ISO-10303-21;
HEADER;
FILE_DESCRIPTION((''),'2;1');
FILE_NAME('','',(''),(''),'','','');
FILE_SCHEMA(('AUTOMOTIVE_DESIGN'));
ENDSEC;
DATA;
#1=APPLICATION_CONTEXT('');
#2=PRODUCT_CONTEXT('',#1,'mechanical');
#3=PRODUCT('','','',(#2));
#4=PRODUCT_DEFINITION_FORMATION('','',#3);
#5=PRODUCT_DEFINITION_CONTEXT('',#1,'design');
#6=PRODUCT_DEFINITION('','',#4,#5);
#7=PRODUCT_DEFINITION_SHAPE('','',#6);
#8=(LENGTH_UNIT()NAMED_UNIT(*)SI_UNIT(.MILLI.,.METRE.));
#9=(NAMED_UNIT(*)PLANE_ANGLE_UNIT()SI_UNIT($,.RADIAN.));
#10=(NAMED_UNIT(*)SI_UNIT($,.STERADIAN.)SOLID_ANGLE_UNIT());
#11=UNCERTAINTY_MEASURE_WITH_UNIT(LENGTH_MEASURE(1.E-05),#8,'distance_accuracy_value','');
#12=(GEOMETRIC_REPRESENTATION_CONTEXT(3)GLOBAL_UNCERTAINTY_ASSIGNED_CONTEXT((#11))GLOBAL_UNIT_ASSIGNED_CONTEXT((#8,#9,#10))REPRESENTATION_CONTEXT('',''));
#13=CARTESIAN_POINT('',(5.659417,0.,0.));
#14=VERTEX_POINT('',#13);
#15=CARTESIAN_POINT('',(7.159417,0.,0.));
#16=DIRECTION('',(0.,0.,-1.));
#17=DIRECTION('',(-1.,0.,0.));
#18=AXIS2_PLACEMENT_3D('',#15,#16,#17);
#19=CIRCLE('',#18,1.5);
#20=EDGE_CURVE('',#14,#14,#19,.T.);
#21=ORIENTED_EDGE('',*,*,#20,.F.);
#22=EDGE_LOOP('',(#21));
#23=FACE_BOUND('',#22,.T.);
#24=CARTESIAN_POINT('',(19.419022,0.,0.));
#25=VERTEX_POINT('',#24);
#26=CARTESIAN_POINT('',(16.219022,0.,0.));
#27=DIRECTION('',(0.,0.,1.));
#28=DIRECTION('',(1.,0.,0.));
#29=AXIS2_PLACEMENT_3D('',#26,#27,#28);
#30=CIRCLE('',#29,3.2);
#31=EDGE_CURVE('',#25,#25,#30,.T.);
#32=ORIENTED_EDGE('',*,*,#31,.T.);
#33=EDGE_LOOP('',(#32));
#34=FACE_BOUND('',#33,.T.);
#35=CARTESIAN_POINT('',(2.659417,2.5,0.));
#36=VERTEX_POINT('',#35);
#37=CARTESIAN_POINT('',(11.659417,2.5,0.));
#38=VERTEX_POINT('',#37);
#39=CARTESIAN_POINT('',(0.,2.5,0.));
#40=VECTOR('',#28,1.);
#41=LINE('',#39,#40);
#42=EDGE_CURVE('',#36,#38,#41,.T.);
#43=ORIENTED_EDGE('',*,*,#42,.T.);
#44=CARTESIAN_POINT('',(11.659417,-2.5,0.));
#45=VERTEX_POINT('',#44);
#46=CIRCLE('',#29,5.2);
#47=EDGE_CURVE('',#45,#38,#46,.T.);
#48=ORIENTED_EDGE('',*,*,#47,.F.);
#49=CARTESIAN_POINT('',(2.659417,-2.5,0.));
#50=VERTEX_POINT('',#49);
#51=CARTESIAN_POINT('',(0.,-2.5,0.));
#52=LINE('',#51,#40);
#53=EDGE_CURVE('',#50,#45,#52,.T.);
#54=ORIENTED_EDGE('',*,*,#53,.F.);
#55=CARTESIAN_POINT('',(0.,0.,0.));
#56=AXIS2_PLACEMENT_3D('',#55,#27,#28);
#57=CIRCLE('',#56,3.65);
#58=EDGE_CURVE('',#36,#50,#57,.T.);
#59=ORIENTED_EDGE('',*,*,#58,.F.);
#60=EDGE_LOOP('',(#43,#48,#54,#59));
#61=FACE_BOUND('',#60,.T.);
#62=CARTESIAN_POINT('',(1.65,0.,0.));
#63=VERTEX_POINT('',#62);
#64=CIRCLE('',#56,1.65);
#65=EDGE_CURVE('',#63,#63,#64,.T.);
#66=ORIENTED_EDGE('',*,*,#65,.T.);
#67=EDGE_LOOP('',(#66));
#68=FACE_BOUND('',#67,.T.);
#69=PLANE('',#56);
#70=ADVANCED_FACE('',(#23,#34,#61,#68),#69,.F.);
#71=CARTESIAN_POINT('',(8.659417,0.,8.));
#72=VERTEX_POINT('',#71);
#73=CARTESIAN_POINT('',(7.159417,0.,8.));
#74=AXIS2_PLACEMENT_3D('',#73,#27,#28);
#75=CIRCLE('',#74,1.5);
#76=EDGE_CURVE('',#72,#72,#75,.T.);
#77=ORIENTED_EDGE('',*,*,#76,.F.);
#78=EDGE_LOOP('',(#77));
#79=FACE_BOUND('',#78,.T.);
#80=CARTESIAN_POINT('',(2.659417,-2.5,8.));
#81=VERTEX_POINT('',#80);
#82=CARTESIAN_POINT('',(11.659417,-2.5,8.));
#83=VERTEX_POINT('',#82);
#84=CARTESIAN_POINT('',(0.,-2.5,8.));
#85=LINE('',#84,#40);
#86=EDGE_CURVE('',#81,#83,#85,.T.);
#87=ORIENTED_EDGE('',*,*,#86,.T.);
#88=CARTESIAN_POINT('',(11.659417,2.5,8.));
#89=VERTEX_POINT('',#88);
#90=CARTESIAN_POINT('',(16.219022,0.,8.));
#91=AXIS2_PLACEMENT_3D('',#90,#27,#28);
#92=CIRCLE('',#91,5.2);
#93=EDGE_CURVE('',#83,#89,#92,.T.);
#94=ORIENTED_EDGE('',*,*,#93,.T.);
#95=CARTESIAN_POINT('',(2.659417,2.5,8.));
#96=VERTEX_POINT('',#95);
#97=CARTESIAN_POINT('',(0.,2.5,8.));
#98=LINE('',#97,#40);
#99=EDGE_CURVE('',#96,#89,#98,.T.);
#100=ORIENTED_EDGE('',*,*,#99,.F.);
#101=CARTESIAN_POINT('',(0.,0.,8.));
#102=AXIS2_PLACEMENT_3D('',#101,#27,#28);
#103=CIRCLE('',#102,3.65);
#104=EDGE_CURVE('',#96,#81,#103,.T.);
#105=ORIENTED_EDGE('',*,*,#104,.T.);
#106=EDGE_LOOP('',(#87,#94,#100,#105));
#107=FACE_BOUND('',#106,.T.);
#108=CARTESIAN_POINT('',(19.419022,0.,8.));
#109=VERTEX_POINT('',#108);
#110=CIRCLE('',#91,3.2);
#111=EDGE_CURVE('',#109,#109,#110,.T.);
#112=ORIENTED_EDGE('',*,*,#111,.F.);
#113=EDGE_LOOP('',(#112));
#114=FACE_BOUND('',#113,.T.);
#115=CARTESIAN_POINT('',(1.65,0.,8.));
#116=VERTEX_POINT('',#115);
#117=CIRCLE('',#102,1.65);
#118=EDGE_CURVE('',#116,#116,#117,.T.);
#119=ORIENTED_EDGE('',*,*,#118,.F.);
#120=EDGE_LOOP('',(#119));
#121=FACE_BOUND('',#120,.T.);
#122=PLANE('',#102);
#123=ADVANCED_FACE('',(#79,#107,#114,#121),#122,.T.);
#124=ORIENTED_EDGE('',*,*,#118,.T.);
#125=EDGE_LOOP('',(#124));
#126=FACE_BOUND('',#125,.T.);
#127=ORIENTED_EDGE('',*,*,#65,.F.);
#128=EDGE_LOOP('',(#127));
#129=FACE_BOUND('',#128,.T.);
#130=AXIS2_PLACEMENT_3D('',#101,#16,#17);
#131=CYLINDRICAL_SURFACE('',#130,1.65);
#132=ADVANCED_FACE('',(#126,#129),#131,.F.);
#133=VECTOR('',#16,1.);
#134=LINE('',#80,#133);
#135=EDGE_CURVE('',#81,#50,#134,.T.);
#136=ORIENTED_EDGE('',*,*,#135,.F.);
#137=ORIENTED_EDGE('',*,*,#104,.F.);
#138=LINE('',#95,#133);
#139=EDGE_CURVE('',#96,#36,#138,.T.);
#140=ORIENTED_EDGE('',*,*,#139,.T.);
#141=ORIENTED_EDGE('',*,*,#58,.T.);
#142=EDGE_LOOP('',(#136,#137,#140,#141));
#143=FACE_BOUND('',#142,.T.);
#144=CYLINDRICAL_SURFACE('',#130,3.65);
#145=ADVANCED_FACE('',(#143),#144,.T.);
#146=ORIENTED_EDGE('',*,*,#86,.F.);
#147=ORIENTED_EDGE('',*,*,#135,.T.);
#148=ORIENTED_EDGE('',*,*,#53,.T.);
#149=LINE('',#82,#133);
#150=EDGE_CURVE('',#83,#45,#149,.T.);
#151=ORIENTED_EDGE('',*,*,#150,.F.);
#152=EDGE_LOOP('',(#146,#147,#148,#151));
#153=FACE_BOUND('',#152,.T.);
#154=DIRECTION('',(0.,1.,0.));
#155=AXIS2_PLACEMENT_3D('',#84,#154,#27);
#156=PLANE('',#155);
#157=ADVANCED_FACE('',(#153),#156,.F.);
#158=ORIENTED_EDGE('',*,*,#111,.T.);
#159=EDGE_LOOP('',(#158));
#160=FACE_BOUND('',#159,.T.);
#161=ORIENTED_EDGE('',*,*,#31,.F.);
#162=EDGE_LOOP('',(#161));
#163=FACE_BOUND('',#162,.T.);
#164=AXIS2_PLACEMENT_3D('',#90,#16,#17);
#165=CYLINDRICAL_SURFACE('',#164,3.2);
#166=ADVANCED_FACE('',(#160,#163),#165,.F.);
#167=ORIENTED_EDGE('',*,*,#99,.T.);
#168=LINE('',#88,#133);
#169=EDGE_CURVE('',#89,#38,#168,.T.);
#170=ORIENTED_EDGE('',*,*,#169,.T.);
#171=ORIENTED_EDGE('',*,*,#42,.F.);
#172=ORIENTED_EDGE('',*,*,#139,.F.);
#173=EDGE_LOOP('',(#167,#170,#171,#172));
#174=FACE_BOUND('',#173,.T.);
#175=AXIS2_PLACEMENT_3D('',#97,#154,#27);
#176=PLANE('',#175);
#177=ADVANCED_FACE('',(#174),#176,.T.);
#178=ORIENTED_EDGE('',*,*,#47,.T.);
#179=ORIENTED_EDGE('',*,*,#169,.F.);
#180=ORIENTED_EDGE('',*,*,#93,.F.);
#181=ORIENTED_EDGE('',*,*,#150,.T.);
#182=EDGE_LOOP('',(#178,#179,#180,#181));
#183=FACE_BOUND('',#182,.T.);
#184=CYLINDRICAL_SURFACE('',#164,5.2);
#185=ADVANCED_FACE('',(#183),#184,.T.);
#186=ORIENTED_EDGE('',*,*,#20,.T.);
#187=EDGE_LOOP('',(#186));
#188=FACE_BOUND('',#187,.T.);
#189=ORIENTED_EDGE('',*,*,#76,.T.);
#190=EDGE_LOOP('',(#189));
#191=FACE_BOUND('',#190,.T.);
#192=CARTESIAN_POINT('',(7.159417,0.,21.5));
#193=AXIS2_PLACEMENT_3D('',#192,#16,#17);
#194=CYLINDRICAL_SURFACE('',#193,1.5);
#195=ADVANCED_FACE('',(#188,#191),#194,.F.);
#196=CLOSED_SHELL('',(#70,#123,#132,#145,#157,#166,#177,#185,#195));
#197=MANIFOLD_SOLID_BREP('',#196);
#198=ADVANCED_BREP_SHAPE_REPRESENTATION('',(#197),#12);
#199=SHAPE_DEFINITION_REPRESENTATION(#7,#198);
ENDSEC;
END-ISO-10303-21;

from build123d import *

# Parameters (mm, degrees)
CROQUIS1_R              = 3.2
CROQUIS1_R_2            = 1.65
SALIENTE_EXTRUIR1_DEPTH = 8
CROQUIS3_R              = 1.5
CORTAR_EXTRUIR1_DEPTH   = 21.5


with BuildPart() as part:
    # Croquis1 → Saliente-Extruir1 (new body)
    with BuildSketch(Plane.XY):
        with BuildLine():
            Line((11.659417229, 2.5), (2.659417229, 2.5))
            ThreePointArc((2.659417229, 2.5), (-3.65, 0), (2.659417229, -2.5))
            Line((2.659417229, -2.5), (11.659417229, -2.5))
            ThreePointArc((11.659417229, -2.5), (21.419022475, 0), (11.659417229, 2.5))
        make_face()
        with Locations((16.219022475, 0)):
            Circle(CROQUIS1_R, mode=Mode.SUBTRACT)
        Circle(CROQUIS1_R_2, mode=Mode.SUBTRACT)
    extrude(amount=SALIENTE_EXTRUIR1_DEPTH)

    # Croquis3 → Cortar-Extruir1 (cut)
    with BuildSketch(Plane(origin=(0, 0, 0), x_dir=(-1, 0, 0), z_dir=(0, 0, -1))):
        with Locations((-7.159417229, 0)):
            Circle(CROQUIS3_R)
    extrude(amount=-CORTAR_EXTRUIR1_DEPTH, mode=Mode.SUBTRACT)


solid = part.part
